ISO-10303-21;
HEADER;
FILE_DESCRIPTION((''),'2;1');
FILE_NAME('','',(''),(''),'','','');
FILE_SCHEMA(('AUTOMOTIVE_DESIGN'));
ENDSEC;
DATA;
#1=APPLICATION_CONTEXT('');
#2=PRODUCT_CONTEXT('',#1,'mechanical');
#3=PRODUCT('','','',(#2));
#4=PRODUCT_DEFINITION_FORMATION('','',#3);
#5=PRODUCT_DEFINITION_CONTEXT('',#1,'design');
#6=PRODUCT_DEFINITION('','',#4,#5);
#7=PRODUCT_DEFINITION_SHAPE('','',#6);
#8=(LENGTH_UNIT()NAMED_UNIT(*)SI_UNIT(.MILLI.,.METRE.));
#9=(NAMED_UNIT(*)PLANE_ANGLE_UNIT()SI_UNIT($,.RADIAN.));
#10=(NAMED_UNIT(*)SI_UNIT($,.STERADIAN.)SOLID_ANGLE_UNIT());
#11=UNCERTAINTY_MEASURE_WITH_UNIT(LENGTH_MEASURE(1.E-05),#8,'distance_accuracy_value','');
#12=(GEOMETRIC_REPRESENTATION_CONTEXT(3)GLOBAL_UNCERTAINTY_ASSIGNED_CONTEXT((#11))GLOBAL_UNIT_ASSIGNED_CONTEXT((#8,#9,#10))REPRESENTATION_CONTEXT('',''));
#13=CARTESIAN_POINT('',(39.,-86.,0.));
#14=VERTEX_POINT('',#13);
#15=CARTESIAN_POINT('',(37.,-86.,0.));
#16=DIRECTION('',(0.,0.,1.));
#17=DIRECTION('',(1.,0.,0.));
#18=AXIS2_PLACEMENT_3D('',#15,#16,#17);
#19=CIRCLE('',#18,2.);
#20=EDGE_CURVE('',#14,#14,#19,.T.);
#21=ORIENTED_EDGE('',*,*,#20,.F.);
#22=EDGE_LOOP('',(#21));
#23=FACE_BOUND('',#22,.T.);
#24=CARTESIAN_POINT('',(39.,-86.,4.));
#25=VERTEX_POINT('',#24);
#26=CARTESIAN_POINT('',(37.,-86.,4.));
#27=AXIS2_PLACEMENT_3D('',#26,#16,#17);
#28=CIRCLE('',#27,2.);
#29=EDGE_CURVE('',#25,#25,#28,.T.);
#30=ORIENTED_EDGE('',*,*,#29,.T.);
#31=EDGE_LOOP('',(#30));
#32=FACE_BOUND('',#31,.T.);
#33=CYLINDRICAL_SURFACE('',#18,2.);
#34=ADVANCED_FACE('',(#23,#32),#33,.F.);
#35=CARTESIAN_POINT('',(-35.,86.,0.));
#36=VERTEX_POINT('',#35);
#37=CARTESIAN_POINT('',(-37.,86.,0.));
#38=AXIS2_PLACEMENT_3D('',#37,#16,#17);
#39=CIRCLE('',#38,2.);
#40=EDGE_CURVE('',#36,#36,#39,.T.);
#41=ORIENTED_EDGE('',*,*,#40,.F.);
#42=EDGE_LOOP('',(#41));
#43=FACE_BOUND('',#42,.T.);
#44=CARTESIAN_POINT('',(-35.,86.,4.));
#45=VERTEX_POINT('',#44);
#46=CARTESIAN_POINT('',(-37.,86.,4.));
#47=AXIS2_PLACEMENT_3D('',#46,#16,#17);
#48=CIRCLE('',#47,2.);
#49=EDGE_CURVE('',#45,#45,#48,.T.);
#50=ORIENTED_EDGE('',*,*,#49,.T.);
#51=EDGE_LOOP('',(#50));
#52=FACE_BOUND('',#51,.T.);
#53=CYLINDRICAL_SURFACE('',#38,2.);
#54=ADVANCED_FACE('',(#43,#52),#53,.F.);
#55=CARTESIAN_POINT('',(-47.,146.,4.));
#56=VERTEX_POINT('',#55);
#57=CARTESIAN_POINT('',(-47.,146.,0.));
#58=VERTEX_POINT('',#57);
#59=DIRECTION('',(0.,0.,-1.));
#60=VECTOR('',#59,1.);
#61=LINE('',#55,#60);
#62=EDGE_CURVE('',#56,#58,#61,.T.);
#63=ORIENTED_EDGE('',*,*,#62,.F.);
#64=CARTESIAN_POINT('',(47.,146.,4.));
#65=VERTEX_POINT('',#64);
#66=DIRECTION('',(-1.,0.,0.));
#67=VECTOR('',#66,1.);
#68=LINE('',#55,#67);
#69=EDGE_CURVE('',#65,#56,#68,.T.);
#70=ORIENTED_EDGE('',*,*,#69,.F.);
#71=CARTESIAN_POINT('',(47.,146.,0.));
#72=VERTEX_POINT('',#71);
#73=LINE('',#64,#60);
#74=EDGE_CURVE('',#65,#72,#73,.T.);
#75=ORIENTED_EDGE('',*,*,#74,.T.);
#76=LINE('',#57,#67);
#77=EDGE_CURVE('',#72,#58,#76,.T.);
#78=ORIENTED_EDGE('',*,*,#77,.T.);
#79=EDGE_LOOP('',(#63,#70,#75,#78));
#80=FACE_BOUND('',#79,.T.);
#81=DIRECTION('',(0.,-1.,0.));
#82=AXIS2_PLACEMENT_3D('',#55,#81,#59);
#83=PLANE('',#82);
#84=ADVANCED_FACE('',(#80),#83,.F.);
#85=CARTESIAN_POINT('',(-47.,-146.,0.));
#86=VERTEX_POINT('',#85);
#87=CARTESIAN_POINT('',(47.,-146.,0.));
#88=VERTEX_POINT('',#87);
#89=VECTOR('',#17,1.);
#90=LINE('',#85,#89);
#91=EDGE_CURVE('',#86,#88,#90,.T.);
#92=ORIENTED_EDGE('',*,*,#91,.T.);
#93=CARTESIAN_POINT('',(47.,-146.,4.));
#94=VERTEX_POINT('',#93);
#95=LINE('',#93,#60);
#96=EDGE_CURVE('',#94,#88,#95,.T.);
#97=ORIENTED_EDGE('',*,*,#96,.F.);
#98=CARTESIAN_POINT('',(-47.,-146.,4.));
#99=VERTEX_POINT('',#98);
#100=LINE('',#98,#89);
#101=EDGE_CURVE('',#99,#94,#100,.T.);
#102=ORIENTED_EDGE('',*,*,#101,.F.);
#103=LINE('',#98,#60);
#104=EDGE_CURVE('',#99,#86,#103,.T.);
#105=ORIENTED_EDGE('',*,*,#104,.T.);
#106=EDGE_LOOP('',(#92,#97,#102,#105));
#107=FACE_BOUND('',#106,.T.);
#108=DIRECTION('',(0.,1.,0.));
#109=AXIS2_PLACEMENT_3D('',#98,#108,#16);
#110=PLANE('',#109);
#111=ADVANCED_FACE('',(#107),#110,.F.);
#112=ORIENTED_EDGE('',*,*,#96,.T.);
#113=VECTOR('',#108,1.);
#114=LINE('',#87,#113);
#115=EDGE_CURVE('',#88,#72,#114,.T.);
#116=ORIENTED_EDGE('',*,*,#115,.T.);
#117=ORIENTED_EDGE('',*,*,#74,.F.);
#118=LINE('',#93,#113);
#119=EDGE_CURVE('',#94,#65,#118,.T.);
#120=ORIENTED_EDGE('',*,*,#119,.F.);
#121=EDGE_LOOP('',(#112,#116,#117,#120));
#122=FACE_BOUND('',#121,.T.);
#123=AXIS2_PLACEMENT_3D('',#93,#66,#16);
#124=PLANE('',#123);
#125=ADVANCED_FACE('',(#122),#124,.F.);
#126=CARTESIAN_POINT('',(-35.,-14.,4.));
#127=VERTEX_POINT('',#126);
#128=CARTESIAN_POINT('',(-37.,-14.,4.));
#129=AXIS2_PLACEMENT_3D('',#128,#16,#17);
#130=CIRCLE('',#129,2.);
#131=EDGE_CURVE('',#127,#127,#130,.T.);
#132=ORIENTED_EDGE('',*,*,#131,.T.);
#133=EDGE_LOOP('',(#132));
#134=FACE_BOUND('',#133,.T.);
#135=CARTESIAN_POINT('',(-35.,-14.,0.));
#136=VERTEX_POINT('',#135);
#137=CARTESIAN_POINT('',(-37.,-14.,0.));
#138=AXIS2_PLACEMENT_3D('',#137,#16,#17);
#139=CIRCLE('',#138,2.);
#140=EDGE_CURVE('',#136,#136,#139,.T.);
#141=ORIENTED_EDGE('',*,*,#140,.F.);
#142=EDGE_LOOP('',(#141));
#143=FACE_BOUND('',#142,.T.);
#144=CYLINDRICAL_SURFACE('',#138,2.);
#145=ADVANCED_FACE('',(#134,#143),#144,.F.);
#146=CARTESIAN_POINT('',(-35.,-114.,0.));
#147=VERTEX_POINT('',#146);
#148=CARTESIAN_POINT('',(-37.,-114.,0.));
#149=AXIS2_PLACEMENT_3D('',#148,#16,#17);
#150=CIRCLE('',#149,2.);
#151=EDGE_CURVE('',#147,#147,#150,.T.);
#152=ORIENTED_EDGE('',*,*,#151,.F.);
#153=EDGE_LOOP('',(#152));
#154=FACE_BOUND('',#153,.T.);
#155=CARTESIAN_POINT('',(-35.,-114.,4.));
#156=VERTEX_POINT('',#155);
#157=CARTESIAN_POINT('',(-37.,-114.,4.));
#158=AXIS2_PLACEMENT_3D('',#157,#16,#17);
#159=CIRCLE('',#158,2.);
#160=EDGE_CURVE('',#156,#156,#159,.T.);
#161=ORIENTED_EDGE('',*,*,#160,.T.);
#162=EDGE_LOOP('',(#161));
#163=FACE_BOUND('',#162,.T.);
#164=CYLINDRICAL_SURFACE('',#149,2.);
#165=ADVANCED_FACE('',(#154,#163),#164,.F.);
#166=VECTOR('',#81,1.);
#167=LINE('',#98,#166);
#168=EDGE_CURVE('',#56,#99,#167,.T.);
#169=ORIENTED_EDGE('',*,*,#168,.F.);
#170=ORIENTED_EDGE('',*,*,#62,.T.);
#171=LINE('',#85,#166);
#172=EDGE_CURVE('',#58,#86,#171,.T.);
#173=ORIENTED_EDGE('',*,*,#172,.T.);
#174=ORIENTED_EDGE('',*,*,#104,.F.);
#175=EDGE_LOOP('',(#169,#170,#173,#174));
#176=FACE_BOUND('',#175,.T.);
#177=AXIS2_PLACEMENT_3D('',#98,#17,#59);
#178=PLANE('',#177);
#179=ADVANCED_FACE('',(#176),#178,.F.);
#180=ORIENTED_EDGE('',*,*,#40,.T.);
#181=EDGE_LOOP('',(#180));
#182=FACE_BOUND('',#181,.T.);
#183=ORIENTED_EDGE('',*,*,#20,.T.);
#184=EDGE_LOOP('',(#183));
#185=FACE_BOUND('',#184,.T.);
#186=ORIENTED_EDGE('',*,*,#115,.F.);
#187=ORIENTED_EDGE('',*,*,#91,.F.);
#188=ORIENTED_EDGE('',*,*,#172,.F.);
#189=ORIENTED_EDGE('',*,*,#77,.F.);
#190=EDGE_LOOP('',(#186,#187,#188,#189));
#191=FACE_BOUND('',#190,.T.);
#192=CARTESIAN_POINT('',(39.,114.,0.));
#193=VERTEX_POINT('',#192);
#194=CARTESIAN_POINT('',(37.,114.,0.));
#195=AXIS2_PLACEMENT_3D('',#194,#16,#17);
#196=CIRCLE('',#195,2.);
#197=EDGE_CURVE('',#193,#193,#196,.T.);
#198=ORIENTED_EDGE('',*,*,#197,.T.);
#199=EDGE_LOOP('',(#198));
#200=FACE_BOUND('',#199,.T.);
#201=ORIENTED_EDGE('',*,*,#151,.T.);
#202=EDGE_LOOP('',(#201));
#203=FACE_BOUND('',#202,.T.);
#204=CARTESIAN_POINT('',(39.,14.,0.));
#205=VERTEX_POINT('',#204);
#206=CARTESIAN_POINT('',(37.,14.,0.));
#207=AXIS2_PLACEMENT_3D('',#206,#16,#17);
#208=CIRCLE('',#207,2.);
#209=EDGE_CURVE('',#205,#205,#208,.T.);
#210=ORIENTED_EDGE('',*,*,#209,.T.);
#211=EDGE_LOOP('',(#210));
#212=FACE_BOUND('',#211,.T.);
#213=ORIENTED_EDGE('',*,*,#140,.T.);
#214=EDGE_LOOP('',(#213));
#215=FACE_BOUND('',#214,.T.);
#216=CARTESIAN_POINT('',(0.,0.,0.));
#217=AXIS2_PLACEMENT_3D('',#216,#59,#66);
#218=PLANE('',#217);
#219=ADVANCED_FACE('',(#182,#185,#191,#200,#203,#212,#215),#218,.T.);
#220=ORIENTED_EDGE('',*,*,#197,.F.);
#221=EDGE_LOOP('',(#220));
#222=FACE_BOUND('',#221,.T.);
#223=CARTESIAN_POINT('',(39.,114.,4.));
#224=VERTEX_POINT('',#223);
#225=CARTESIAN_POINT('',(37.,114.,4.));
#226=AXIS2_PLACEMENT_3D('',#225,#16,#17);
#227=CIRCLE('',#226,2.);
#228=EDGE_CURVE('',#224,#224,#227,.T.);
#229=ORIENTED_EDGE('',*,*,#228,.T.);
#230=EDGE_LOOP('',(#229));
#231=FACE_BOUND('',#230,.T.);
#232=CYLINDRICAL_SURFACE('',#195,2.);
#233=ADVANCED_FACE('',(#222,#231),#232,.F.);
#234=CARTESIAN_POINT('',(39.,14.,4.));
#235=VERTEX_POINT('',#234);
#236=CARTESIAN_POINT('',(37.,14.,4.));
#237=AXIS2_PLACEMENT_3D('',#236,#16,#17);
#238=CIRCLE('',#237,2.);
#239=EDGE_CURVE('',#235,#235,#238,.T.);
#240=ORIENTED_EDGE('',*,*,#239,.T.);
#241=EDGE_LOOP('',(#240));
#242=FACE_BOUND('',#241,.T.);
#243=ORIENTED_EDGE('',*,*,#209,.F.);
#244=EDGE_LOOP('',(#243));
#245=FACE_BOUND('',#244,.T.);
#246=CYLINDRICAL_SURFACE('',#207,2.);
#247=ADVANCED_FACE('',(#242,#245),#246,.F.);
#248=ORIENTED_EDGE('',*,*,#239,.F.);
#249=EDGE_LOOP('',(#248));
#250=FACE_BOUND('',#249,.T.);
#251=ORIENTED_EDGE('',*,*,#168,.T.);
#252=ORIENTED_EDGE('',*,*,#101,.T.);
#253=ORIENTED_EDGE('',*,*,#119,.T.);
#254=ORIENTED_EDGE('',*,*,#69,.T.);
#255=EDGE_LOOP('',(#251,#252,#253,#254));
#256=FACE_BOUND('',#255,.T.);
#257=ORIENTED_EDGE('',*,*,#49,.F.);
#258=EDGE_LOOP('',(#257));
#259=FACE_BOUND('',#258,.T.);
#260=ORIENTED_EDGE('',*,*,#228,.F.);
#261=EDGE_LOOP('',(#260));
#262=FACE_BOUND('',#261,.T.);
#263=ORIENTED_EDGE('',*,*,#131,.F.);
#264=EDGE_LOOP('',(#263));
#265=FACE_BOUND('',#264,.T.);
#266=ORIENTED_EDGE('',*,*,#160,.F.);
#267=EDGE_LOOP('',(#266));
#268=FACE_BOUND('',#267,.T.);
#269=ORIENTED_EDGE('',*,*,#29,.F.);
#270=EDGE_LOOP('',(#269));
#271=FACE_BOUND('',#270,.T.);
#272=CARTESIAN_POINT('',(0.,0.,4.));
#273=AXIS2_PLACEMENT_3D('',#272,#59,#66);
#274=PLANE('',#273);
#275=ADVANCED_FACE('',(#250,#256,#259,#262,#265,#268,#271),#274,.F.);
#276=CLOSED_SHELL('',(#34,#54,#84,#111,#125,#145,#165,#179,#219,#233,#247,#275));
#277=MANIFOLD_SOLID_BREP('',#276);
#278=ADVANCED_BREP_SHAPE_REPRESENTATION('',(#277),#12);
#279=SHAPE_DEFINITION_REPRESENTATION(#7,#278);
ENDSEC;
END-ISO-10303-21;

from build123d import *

# Parameters (mm, degrees)
SKETCH1_W           = 94
SKETCH1_H           = 292
BOSS_EXTRUDE1_DEPTH = 4
SKETCH2_R           = 2
CUT_EXTRUDE1_DEPTH  = 4


with BuildPart() as part:
    # Sketch1 → Boss-Extrude1 (new body)
    with BuildSketch(Plane.XY):
        Rectangle(SKETCH1_W, SKETCH1_H)
    extrude(amount=BOSS_EXTRUDE1_DEPTH)

    # Sketch2 → Cut-Extrude1 (cut)
    with BuildSketch(Plane.XY.offset(4)):
        with Locations((-37, -14)):
            Circle(SKETCH2_R)
        with Locations((-37, 86)):
            Circle(SKETCH2_R)
        with Locations((-37, -114)):
            Circle(SKETCH2_R)
        with Locations((37, -86)):
            Circle(SKETCH2_R)
        with Locations((37, 14)):
            Circle(SKETCH2_R)
        with Locations((37, 114)):
            Circle(SKETCH2_R)
    extrude(amount=-CUT_EXTRUDE1_DEPTH, mode=Mode.SUBTRACT)


solid = part.part
